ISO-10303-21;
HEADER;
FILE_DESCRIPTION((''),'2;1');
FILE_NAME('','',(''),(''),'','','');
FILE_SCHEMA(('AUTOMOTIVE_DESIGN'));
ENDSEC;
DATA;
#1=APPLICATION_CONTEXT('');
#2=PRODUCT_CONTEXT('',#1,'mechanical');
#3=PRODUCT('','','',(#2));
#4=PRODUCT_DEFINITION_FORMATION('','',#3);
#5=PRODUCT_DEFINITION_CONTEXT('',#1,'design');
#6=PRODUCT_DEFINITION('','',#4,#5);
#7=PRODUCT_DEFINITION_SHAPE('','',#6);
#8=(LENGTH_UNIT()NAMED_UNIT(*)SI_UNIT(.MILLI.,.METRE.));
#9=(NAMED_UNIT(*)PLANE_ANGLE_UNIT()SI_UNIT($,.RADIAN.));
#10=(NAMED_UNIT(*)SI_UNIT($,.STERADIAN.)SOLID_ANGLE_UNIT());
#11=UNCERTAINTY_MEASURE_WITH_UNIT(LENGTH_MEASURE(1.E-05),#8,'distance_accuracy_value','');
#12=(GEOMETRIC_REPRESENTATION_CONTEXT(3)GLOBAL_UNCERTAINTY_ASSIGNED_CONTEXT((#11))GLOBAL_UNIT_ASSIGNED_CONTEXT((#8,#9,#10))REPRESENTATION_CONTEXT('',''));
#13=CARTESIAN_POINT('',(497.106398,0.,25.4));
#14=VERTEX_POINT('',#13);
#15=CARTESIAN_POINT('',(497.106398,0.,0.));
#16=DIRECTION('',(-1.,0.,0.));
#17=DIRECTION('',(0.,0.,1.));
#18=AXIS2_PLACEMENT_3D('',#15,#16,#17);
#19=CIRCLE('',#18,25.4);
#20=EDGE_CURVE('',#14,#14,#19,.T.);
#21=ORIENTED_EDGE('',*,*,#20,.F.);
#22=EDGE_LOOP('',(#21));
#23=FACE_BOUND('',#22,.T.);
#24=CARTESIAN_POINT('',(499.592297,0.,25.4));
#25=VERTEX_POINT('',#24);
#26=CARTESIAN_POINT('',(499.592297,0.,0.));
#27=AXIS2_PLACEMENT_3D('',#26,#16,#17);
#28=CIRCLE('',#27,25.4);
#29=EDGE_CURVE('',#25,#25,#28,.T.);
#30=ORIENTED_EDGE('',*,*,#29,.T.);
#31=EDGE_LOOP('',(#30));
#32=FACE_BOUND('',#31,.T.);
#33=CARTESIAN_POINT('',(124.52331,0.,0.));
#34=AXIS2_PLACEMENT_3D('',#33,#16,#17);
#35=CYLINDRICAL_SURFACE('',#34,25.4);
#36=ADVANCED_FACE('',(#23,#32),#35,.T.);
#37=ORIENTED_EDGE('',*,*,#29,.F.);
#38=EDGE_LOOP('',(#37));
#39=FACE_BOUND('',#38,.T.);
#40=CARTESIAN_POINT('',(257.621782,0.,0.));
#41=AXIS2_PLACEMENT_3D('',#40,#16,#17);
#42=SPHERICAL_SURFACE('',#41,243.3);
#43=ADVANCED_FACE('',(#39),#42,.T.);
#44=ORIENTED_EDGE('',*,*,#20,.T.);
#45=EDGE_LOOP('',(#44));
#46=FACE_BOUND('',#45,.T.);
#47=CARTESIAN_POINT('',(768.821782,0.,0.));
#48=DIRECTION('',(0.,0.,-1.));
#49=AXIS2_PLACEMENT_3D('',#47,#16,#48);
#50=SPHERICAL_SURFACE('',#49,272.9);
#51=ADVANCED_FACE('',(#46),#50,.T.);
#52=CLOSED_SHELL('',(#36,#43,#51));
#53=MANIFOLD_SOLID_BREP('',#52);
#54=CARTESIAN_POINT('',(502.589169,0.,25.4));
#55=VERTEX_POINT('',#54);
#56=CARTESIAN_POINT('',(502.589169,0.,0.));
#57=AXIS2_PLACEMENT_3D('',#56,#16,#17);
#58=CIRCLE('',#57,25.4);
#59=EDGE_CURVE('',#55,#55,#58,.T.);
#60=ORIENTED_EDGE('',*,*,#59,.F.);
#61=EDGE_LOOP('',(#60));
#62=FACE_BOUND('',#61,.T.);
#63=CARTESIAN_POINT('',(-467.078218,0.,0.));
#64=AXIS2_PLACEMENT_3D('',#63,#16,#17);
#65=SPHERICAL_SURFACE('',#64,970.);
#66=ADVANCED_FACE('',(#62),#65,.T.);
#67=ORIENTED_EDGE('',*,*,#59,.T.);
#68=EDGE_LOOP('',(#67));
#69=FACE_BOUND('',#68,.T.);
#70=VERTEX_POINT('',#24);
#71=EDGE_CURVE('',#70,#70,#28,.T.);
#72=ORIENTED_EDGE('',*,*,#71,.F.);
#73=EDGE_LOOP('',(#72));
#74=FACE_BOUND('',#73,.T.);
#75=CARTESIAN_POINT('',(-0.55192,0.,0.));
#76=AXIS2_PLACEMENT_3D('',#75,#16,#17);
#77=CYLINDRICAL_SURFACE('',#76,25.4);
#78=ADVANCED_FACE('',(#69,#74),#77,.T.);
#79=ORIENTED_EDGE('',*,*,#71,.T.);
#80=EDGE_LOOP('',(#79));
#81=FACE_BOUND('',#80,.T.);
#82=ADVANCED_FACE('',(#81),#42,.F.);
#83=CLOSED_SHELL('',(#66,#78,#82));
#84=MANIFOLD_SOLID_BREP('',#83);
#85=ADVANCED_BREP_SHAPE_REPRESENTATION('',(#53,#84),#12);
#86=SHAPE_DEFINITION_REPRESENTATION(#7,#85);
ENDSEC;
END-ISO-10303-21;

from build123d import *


with BuildPart() as part:
    # 草图1 one side → 旋转1 (revolve)
    with BuildSketch(Plane(origin=(0, 0, 0), x_dir=(1, 0, 0), z_dir=(0, 1, 0)), mode=Mode.PRIVATE) as revolve_1_sk:
        with BuildLine():
            ThreePointArc((497.106398263, 25.4), (496.218097267, 12.713804649), (495.921782443, 0))
            Line((495.921782443, 0), (500.921782443, 0))
            ThreePointArc((500.921782443, 0), (500.58918379, 12.71738506), (499.592297176, 25.4))
            Line((499.592297176, 25.4), (497.106398263, 25.4))
        make_face()
    revolve(revolve_1_sk.sketch.rotate(Axis((124.523309526, 0, 0), (1, 0, 0)), 180), axis=Axis((124.523309526, 0, 0), (1, 0, 0)))  # turned: the seam where the file's is


with BuildPart() as body_2:
    # 草图2 one side → 旋转3 (revolve)
    with BuildSketch(Plane(origin=(0, 0, 0), x_dir=(1, 0, 0), z_dir=(0, 1, 0)), mode=Mode.PRIVATE) as revolve_3_sk:
        with BuildLine():
            Line((502.589168715, 25.4), (499.592297176, 25.4))
            ThreePointArc((499.592297176, 25.4), (500.58918379, 12.71738506), (500.921782443, 0))
            Line((500.921782443, 0), (502.921782443, 0))
            ThreePointArc((502.921782443, 0), (502.838625447, 12.70108885), (502.589168715, 25.4))
        make_face()
    revolve(revolve_3_sk.sketch.rotate(Axis((-0.551919993, 0, 0), (1, 0, 0)), 180), axis=Axis((-0.551919993, 0, 0), (1, 0, 0)))  # turned: the seam where the file's is


solid = Compound([part.part, body_2.part])
